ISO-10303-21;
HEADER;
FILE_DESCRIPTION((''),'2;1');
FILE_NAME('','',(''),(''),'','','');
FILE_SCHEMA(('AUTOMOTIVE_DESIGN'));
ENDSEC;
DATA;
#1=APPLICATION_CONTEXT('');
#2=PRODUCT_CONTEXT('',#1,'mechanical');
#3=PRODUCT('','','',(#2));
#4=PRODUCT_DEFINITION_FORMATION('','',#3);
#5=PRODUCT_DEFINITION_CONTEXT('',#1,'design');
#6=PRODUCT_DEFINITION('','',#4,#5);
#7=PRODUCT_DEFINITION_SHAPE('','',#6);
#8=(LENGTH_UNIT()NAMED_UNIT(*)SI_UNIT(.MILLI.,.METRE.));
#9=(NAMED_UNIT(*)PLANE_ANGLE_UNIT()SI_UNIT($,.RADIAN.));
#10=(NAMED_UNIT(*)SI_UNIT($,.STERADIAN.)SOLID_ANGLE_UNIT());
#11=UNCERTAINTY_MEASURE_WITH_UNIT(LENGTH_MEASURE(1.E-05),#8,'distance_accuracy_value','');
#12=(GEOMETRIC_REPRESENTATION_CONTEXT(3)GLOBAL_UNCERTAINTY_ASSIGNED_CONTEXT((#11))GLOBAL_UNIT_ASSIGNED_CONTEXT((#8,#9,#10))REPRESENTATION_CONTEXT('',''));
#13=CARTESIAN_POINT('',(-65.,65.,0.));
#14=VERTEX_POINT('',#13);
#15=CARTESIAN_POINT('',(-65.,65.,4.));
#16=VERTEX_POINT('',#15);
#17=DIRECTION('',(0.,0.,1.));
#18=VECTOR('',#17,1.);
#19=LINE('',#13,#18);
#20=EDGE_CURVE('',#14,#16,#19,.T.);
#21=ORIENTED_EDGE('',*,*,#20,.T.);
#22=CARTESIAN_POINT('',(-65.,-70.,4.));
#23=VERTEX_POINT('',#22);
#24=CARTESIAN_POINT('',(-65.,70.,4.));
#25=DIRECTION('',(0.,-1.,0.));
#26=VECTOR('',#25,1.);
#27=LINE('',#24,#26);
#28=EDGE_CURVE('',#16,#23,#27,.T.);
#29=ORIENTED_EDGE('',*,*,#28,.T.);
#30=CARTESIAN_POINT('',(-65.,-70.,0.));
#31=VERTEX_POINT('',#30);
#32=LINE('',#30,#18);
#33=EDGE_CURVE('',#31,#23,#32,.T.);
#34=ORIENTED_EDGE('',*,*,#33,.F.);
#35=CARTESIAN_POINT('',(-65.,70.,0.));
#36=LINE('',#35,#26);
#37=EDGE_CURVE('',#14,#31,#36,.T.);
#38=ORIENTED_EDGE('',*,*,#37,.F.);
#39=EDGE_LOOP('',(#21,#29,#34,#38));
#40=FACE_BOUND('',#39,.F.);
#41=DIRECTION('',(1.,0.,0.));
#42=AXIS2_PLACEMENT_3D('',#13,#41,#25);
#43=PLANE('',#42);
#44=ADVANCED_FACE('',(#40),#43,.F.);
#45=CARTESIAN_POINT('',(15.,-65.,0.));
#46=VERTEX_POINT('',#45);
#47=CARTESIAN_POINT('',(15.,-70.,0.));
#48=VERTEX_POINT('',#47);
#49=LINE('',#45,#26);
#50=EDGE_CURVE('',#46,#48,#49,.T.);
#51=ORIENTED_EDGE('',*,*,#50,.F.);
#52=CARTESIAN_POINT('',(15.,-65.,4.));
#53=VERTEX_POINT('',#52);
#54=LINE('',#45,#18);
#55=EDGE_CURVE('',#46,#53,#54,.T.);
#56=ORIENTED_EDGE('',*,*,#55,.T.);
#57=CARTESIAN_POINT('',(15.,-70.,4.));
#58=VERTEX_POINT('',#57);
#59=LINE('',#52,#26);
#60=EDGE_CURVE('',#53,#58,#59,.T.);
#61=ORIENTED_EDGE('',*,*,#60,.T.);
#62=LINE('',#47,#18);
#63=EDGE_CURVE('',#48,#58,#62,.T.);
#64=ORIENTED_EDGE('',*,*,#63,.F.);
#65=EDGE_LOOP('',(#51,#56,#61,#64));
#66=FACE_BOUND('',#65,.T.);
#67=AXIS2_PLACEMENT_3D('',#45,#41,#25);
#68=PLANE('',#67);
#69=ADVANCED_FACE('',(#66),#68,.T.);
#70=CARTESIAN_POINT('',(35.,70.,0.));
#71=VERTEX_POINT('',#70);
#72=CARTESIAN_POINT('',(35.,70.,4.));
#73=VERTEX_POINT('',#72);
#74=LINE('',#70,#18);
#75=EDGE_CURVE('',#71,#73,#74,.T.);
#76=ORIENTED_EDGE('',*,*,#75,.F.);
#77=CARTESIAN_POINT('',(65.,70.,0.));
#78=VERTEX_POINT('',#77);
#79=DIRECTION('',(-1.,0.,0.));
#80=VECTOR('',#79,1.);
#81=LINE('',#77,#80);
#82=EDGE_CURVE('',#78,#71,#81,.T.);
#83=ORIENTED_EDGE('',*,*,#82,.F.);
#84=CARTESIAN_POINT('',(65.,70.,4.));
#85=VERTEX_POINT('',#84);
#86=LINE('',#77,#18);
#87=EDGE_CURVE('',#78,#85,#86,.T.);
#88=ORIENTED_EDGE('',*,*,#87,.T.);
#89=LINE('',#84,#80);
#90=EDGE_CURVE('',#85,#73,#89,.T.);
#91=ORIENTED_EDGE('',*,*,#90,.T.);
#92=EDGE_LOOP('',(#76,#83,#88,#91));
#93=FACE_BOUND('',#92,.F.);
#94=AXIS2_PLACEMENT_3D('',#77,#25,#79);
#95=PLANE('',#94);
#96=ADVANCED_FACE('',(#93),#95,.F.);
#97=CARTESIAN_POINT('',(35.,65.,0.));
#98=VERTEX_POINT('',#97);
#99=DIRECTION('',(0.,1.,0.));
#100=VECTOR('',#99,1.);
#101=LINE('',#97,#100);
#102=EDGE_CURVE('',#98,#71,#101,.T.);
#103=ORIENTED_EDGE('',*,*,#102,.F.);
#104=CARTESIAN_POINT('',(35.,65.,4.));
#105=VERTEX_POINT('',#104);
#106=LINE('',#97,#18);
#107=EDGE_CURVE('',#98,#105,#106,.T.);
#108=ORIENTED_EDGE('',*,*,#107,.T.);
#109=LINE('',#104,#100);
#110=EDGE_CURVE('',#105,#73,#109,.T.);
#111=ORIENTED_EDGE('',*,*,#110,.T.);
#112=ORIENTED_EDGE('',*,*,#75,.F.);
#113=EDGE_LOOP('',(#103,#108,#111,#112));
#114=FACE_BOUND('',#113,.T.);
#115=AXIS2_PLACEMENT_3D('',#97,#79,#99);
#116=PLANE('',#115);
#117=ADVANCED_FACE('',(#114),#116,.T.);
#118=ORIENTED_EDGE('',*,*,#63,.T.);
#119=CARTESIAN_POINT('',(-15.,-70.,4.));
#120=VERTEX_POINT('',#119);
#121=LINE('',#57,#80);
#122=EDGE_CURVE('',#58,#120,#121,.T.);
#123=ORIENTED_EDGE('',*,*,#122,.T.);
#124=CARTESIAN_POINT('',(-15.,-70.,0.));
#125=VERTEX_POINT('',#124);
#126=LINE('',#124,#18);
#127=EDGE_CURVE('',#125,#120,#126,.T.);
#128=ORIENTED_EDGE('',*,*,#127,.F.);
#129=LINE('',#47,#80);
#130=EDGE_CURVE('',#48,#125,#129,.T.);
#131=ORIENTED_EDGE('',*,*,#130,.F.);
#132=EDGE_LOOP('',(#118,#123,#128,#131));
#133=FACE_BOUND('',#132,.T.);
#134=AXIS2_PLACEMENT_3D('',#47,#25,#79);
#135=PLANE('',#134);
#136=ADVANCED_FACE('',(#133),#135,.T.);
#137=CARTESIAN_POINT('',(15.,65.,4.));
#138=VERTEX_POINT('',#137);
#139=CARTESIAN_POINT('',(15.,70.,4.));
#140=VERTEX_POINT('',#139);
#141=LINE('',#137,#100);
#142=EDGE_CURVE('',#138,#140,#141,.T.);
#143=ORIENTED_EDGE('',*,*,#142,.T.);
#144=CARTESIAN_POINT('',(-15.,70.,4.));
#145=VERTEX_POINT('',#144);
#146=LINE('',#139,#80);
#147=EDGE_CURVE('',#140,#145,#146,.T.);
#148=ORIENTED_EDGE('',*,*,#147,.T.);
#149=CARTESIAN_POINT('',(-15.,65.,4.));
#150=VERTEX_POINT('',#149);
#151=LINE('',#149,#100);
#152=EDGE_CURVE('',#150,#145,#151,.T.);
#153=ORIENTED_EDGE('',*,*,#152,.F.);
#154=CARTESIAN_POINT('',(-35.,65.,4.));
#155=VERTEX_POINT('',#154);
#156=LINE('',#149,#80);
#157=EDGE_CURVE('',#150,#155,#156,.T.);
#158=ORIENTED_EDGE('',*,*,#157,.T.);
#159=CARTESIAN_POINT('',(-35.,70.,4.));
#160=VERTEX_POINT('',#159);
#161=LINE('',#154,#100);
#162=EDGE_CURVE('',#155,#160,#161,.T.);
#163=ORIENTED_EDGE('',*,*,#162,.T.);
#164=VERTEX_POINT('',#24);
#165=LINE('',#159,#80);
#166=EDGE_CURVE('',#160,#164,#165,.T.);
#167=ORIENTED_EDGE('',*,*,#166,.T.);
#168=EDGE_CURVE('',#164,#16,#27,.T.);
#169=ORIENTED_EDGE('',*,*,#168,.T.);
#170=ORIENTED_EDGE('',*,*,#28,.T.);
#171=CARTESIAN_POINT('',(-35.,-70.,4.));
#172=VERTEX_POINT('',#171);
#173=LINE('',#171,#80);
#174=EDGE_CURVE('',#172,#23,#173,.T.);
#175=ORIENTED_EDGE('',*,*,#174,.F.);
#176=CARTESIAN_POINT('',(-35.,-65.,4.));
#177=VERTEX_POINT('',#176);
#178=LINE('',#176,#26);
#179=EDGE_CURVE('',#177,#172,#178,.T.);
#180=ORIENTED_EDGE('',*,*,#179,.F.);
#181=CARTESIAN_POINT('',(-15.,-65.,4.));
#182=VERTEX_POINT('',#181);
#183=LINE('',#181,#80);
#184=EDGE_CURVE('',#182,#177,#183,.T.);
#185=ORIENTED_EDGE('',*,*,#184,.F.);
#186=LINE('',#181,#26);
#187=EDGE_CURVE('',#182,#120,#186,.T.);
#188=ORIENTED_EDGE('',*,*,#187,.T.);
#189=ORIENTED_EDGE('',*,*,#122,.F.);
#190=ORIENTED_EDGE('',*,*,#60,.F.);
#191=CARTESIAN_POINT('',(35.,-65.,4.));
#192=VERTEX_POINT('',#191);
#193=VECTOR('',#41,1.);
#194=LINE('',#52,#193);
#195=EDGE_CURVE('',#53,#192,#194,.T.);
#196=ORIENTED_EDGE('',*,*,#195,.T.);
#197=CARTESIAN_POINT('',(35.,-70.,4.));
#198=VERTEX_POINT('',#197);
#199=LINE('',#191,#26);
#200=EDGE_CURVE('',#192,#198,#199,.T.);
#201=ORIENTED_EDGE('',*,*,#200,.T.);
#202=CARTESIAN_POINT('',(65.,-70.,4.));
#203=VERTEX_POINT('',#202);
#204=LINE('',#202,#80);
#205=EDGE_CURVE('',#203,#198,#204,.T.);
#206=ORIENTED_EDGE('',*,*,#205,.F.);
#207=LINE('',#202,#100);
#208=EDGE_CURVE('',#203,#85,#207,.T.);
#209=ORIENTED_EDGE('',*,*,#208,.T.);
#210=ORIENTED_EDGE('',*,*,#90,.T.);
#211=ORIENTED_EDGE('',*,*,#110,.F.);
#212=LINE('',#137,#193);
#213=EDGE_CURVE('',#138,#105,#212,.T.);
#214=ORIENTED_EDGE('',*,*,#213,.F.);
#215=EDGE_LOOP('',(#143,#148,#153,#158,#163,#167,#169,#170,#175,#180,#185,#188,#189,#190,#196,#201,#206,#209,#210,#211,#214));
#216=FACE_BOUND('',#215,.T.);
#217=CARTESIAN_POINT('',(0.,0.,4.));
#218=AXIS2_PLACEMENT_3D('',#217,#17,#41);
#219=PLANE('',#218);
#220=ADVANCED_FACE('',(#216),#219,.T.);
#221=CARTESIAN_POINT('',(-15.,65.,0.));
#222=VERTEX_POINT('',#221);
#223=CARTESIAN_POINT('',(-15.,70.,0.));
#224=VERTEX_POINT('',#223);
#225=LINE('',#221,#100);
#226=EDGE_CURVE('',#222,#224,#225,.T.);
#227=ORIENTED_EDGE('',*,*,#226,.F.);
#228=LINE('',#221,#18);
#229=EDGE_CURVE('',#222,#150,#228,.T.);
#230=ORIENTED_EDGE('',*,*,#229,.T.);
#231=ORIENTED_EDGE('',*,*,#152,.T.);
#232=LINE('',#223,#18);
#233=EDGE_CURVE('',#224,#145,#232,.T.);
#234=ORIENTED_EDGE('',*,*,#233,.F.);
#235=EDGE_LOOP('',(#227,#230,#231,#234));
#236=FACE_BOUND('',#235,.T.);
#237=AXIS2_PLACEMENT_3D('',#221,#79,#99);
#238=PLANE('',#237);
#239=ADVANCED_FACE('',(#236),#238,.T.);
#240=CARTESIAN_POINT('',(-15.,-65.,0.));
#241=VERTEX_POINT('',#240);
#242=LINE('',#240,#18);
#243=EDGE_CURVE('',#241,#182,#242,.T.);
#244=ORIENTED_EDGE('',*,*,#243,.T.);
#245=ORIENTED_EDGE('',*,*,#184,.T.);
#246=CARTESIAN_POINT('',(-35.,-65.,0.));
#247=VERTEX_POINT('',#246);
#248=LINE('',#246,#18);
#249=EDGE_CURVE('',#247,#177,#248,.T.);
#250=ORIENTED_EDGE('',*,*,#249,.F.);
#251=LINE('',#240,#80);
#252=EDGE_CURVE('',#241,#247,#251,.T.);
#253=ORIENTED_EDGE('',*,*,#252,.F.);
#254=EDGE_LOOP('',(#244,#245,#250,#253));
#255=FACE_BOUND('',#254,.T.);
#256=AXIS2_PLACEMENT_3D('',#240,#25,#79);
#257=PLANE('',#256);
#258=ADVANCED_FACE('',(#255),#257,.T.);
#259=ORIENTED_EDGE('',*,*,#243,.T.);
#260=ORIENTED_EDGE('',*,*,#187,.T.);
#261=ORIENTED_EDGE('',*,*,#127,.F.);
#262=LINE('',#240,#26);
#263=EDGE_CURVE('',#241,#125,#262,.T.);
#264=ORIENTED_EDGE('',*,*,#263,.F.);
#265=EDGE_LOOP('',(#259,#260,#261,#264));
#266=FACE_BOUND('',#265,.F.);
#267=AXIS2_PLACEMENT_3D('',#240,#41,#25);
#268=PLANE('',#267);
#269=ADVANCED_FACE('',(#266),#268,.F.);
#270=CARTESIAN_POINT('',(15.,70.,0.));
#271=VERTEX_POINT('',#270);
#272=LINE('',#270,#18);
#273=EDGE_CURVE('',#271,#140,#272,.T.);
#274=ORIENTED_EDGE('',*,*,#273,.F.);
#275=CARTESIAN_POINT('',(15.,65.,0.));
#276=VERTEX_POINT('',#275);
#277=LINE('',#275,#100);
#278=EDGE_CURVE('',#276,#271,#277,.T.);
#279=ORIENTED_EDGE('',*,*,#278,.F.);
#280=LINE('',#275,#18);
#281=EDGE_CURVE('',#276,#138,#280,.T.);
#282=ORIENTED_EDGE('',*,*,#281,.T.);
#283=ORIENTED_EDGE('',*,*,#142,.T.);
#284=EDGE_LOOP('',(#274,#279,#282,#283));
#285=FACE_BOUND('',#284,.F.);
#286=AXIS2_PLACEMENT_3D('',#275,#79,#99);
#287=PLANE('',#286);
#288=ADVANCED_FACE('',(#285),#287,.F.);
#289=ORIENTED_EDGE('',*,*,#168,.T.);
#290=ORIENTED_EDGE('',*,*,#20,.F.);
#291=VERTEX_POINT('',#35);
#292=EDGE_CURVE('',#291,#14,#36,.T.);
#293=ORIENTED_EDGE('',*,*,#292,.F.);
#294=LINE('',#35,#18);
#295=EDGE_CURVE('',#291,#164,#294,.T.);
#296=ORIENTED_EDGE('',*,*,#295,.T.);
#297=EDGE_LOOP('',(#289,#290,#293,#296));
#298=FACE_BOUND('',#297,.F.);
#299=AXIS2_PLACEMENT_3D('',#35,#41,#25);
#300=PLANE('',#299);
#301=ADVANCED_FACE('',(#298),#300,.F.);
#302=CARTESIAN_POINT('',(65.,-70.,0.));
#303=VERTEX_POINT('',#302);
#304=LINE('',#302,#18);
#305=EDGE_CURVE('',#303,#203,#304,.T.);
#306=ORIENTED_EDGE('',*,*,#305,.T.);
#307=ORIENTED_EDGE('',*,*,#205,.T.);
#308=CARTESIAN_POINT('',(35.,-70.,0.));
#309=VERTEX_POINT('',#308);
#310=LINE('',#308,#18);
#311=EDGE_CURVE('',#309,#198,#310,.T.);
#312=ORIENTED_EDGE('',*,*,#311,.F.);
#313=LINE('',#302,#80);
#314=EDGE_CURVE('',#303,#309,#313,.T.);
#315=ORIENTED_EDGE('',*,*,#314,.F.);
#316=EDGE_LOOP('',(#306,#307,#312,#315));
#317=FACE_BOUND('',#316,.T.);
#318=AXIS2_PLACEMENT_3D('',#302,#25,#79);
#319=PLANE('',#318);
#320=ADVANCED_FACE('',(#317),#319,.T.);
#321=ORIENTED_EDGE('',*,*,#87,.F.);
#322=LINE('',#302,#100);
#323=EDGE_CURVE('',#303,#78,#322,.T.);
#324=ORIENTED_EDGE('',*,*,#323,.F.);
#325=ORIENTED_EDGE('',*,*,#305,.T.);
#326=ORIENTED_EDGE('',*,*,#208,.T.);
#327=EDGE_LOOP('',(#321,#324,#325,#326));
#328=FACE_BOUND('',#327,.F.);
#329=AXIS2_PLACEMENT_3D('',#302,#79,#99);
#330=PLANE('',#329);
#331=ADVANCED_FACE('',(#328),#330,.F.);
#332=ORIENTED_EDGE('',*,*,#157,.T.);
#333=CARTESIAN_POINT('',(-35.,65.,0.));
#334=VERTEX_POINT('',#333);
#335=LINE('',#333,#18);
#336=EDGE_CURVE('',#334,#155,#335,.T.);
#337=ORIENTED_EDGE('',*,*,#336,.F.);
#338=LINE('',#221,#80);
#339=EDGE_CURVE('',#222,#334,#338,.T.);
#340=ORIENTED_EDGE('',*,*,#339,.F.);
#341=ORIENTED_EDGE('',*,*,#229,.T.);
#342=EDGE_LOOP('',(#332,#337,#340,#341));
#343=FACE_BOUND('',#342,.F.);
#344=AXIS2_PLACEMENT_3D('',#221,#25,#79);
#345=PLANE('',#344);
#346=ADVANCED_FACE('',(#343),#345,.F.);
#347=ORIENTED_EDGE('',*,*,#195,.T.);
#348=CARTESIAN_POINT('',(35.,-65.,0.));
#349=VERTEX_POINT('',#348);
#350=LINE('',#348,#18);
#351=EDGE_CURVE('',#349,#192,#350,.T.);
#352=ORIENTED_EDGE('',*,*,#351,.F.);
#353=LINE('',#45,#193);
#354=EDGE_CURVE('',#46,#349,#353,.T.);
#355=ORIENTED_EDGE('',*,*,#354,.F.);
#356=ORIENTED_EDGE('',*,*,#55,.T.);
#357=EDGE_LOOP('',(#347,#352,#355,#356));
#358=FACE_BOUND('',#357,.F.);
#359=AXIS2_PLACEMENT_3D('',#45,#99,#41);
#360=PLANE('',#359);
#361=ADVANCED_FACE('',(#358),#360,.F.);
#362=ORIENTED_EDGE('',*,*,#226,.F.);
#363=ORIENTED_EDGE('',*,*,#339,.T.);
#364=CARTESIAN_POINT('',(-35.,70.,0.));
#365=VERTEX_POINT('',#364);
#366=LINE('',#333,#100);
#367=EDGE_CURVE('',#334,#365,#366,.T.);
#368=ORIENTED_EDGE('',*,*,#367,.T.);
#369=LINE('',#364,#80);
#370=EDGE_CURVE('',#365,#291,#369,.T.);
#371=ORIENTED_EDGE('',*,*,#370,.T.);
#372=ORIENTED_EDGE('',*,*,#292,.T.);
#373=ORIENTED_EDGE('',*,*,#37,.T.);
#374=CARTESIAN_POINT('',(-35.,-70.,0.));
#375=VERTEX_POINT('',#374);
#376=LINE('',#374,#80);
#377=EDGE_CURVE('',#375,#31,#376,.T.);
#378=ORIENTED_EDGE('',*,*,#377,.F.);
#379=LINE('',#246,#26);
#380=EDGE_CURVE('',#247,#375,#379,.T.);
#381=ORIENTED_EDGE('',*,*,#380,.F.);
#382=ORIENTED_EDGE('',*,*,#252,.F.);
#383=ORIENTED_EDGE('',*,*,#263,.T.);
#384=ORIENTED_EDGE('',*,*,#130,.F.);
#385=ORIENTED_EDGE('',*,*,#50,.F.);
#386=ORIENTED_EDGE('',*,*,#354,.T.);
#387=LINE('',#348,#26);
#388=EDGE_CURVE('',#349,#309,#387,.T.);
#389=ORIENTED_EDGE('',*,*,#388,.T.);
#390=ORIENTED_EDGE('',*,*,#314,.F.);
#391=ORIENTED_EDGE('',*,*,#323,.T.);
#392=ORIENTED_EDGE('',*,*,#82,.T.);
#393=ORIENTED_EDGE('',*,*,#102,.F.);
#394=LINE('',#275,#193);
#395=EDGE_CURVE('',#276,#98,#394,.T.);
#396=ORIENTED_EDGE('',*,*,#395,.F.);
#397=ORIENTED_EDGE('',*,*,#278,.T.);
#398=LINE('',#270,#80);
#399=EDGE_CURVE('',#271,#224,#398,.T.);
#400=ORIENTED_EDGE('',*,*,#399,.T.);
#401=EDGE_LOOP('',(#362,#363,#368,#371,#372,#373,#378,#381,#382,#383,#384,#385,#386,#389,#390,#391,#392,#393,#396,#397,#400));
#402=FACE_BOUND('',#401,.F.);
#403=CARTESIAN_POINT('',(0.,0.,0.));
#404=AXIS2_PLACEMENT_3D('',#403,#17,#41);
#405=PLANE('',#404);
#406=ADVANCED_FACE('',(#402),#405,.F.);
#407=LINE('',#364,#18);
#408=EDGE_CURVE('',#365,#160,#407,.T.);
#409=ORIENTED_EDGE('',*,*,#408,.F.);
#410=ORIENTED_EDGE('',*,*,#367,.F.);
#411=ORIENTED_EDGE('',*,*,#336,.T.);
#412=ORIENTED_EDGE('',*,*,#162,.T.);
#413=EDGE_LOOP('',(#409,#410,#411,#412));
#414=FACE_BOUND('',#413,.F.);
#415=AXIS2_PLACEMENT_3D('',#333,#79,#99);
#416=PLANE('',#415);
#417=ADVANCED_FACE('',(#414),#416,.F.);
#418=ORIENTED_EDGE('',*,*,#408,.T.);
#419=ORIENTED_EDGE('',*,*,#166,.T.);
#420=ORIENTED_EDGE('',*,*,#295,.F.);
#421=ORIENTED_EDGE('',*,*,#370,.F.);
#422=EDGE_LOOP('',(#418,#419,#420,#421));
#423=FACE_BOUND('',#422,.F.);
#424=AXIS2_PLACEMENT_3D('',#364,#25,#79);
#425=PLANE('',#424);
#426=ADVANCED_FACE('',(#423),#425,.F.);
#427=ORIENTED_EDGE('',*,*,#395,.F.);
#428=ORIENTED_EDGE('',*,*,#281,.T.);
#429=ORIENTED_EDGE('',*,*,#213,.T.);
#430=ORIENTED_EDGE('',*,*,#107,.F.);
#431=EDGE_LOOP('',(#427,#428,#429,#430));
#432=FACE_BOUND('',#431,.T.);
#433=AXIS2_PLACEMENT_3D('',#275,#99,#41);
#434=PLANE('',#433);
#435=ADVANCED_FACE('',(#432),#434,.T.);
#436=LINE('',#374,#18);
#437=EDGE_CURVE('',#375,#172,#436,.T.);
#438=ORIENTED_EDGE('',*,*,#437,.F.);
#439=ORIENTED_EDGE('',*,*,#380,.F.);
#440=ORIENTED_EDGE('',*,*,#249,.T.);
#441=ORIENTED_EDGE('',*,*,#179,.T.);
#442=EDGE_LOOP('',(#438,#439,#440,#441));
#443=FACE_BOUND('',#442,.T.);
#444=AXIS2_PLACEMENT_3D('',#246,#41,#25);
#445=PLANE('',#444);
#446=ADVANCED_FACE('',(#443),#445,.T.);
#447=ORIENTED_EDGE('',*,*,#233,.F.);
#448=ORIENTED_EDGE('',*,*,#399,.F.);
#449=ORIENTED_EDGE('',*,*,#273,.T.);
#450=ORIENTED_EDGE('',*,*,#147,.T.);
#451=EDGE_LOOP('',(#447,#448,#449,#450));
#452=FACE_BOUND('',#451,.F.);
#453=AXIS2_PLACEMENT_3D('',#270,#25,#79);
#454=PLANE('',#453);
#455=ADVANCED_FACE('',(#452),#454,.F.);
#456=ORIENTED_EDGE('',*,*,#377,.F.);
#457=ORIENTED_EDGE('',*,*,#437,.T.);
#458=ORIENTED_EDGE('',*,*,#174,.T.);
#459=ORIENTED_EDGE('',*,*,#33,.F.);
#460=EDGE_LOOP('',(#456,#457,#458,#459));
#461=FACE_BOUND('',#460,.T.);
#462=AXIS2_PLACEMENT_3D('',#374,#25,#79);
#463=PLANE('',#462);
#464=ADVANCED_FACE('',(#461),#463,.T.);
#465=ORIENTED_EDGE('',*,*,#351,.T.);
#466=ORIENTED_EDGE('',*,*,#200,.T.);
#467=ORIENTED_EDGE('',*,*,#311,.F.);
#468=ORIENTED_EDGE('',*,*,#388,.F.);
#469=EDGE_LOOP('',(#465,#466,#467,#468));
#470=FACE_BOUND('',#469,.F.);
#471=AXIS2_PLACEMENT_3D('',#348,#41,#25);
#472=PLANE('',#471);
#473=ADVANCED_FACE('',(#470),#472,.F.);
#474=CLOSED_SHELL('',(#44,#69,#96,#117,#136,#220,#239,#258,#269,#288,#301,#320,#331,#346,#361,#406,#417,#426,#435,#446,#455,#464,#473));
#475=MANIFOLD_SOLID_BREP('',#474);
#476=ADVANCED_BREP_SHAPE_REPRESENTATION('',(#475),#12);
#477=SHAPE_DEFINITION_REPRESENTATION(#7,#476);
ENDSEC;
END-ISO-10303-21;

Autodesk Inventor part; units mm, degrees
ref_plane "YZ Plane" through (0, 0, 0) normal (1, 0, 0) x (0, 1, 0)
ref_plane "XZ Plane" through (0, 0, 0) normal (0, 1, 0) x (-1, 0, 0)
ref_plane "XY Plane" through (0, 0, 0) normal (0, 0, 1) x (1, 0, 0)
sketch "Sketch1" plane through (0, 0, 0) normal (0, 0, 1) x (1, 0, 0)
  line L0 (65, -70) -> (65, 70)
  line L1 (-65, 70) -> (-65, -70)
  line L2 (-65, 70) -> (-65, 65)
  line L3 (-15, 65) -> (-15, 70)
  line L4 (-15, 65) -> (-35, 65)
  line L5 (-35, 65) -> (-35, 70)
  line L6 (15, 65) -> (15, 70)
  line L7 (35, 65) -> (35, 70)
  line L8 (-35, 70) -> (-65, 70)
  line L9 (65, 70) -> (35, 70)
  line L10 (15, 70) -> (-15, 70)
  line L11 (-15, -65) -> (-15, -70)
  line L12 (-15, -65) -> (-35, -65)
  line L13 (-35, -65) -> (-35, -70)
  line L14 (35, -65) -> (35, -70)
  line L15 (15, -65) -> (15, -70)
  line L16 (-35, -70) -> (-65, -70)
  line L17 (65, -70) -> (35, -70)
  line L18 (15, -70) -> (-15, -70)
  line L19 (-65, -70) -> (-35, -70)
  line L20 (35, -70) -> (65, -70)
  line L21 (-35, -65) -> (-15, -65)
  line L22 (15, -65) -> (35, -65)
  line L23 (-35, 65) -> (-15, 65)
  line L24 (15, 65) -> (35, 65)
  point P0 (0, 0)
extrude "Extrusion1" add sketch "Sketch1" along normal blind 4
sketch "Sketch2" plane through (-15, 70, 0) normal (0, 1, 0) x (1, 0, 0)
  line L0 (-20, 0) -> (-50, 0) projected
  line L1 (-50, 0) -> (-50, -4) projected
  line L2 (-20, -4) -> (-50, -4) projected
  line L3 (-20, 0) -> (-20, -4) projected
  line L4 (0, 0) -> (-20, 0) projected
  line L5 (-20, 0) -> (-20, -4) projected
  line L6 (0, -4) -> (-20, -4) projected
  line L7 (0, 0) -> (0, -4) projected
  line L8 (30, 0) -> (0, 0) projected
  line L9 (0, 0) -> (0, -4) projected
  line L10 (30, -4) -> (0, -4) projected
  line L11 (30, 0) -> (30, -4) projected
  line L12 (50, 0) -> (30, 0) projected
  line L13 (50, -4) -> (30, -4) projected
  line L14 (50, 0) -> (30, 0) projected
  line L15 (30, 0) -> (30, -4) projected
  line L16 (50, -4) -> (30, -4) projected
  line L17 (50, 0) -> (50, -4) projected
  line L18 (80, 0) -> (50, 0) projected
  line L19 (50, 0) -> (50, -4) projected
  line L20 (80, -4) -> (50, -4) projected
  line L21 (80, 0) -> (80, -4) projected
  point P0 (15, 0)
properties part number "torso_base"
